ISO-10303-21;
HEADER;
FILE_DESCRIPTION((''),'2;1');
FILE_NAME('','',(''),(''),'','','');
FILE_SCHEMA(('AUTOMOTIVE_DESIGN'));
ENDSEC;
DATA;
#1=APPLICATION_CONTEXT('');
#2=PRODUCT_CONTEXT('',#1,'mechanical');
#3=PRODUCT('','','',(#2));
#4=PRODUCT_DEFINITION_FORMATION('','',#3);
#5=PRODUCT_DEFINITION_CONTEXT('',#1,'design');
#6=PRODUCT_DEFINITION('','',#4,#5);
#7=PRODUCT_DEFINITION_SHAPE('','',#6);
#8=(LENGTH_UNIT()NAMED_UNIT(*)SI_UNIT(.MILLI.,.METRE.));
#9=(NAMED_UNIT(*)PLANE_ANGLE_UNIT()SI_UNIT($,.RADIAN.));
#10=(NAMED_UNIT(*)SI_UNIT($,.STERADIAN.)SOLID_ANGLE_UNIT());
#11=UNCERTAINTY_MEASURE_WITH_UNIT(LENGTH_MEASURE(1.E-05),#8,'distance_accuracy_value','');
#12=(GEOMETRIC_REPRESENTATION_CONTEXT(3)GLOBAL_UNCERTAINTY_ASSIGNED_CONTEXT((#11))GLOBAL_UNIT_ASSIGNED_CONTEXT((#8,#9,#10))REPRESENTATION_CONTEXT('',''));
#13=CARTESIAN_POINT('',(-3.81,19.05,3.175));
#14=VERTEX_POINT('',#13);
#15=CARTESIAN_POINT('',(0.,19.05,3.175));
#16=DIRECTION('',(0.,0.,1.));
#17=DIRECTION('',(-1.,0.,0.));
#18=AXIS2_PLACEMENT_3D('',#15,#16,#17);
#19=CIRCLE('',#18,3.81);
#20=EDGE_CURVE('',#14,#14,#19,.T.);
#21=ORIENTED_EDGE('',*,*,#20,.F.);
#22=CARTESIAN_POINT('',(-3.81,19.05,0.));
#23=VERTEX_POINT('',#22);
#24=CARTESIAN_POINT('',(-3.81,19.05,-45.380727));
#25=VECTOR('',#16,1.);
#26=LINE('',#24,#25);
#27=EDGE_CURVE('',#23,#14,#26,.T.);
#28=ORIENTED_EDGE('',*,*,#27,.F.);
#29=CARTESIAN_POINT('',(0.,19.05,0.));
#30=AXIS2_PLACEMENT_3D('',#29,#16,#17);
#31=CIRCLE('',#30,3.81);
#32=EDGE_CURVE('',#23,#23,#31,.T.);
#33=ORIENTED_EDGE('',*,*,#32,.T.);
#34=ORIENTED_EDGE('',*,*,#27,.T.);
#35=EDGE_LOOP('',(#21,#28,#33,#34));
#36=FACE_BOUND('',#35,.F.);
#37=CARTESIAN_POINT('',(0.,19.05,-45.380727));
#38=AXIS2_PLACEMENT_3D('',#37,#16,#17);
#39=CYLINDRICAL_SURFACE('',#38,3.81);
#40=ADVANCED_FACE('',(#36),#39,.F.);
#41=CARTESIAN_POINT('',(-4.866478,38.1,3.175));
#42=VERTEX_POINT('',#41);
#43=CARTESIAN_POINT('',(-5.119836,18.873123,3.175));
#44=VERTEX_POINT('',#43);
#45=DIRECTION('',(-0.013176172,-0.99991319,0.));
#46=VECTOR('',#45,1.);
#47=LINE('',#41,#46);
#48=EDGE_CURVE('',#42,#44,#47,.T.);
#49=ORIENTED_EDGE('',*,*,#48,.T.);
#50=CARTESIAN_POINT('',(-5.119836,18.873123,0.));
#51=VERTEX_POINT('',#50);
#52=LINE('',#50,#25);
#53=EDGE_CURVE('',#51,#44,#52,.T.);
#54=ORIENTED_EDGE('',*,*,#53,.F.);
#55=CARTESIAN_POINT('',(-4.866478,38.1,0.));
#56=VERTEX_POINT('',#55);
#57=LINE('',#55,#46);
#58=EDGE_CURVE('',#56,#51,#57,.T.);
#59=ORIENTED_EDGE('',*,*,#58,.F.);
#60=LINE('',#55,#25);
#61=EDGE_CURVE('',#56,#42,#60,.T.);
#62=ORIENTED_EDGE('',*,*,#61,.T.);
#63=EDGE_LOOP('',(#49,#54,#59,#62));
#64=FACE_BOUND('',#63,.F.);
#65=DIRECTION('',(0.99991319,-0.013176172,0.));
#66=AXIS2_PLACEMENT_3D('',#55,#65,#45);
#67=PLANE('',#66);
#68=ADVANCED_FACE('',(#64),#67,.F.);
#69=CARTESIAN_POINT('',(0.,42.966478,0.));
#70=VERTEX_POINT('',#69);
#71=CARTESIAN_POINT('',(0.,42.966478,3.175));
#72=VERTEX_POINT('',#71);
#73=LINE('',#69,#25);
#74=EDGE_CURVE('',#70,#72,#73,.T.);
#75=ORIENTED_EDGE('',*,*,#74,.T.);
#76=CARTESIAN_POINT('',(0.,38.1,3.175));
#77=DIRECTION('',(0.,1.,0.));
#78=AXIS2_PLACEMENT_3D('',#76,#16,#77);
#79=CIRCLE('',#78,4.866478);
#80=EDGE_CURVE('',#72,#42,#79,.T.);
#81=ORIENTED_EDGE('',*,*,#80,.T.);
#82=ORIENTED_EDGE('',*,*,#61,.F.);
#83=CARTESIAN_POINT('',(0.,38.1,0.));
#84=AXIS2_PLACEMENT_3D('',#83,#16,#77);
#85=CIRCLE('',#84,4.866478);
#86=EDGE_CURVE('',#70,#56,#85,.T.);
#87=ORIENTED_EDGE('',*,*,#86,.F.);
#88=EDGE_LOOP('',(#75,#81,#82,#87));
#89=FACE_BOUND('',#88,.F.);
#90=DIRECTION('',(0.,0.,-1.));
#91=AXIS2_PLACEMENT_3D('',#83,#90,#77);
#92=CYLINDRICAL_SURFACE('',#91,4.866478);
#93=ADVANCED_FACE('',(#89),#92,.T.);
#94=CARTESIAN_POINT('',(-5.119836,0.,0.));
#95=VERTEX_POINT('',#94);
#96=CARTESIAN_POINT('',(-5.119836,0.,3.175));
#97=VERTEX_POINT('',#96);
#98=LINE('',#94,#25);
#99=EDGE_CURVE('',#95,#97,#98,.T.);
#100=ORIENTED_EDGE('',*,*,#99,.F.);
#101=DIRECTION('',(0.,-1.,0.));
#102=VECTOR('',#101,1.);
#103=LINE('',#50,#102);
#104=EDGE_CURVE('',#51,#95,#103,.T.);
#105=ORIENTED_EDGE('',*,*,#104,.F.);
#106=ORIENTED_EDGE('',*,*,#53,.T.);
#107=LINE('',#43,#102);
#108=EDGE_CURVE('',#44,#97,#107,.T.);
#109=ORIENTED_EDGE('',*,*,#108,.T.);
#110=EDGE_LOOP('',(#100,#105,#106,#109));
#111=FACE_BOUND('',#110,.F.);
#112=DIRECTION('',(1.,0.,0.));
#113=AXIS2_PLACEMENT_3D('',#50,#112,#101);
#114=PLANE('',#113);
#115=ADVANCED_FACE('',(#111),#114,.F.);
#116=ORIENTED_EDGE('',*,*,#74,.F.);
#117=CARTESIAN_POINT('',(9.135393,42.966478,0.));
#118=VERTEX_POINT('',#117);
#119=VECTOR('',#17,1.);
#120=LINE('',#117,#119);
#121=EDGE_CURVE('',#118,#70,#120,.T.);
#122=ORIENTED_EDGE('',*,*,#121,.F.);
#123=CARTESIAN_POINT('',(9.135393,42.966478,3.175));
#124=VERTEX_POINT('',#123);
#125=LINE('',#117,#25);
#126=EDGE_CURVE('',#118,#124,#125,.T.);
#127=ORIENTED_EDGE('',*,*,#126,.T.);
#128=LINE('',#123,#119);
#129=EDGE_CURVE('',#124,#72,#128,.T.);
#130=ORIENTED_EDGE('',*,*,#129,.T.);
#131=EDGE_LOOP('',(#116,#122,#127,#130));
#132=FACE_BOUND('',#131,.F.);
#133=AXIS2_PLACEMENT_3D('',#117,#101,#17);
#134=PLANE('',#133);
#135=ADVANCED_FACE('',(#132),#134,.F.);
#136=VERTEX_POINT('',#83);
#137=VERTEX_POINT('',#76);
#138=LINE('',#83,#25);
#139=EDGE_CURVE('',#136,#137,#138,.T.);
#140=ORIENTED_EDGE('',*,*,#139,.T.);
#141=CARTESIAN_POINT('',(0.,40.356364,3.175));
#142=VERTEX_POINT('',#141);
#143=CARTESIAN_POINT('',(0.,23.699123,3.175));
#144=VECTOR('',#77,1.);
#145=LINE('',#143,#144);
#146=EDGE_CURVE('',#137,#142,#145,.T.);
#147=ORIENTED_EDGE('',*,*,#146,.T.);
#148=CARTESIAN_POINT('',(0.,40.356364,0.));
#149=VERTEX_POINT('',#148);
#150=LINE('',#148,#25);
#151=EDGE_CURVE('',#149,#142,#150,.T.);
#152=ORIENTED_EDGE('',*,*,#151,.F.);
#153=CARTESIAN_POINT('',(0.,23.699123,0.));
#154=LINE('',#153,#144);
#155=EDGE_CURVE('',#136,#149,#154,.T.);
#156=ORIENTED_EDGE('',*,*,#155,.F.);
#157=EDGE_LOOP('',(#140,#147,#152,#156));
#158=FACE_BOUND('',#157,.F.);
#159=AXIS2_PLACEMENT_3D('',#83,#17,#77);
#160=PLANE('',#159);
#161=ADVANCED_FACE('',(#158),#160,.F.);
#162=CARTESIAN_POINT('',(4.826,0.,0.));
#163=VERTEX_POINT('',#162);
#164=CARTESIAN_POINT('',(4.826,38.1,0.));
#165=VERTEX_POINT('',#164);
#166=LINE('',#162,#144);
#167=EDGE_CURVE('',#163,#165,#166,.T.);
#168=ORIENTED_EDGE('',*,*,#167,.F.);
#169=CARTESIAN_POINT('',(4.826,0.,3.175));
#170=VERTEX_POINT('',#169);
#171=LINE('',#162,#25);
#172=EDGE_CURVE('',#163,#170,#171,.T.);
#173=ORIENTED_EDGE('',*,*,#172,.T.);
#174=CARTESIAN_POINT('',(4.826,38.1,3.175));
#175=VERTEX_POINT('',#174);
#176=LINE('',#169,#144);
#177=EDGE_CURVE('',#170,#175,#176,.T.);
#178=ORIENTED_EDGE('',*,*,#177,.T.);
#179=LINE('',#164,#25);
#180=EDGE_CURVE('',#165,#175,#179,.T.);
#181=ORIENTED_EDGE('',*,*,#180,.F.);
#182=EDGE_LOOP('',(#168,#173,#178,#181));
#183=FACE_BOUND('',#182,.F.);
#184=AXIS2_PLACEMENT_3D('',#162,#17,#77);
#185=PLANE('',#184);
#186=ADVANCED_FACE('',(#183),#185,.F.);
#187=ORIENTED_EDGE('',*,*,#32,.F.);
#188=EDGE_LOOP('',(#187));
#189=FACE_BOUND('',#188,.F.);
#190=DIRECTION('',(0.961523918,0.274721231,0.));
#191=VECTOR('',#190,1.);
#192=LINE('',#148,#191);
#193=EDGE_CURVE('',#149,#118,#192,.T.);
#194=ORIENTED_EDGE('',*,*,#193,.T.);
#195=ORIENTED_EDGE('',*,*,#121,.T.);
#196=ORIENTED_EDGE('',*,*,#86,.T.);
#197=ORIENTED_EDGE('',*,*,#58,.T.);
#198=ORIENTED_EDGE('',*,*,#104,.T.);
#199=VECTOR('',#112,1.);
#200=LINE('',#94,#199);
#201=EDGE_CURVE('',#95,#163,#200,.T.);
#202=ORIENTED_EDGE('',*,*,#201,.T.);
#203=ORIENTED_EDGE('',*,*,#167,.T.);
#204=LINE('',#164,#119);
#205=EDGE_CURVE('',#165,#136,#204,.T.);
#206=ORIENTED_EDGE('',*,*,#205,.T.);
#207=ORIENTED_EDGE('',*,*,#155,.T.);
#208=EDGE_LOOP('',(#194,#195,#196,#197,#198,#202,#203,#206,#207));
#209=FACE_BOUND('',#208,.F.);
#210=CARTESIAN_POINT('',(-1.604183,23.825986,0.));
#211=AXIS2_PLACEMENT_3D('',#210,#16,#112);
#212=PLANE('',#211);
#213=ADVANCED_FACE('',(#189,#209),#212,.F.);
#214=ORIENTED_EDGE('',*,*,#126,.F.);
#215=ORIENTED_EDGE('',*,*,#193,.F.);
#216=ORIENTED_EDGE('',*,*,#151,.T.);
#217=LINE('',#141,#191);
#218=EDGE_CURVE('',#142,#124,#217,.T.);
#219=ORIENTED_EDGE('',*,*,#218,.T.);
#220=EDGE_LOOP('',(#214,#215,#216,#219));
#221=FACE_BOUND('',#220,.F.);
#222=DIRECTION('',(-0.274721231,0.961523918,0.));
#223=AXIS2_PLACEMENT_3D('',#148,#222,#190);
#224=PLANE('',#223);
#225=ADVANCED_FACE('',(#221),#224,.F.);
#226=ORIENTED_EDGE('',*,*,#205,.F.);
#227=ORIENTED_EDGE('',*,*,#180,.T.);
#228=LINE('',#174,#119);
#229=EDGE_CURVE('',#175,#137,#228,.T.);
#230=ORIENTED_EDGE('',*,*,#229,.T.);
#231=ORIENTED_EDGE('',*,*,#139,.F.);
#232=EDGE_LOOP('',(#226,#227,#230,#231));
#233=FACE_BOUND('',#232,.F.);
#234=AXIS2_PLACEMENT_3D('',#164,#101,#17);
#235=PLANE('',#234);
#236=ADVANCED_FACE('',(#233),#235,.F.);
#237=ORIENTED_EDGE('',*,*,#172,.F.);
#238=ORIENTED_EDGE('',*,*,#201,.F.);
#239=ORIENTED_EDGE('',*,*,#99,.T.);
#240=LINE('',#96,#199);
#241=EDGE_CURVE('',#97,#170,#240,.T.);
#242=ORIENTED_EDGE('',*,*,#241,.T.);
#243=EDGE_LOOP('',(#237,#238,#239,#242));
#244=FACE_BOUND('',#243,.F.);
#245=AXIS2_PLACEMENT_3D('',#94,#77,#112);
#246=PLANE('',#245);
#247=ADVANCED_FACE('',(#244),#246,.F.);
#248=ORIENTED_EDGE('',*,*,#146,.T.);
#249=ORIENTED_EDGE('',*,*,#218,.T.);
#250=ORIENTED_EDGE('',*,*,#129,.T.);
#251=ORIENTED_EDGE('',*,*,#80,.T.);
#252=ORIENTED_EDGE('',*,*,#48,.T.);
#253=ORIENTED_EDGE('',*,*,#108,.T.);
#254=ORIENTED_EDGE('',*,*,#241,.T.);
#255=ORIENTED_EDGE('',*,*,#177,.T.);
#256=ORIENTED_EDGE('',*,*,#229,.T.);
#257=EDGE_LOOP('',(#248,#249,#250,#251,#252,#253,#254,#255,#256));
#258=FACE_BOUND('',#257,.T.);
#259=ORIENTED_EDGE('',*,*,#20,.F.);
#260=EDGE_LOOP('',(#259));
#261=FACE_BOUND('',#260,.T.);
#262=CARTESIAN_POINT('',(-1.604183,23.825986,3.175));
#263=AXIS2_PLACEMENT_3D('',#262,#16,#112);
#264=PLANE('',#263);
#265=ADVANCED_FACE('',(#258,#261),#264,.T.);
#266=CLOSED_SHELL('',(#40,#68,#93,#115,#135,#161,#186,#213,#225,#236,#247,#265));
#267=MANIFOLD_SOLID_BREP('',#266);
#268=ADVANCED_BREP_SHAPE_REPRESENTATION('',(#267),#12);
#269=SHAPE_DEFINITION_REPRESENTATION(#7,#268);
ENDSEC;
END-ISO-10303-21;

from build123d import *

# Parameters (mm, degrees)
F1_DEPTH = 3.175
F2_DEPTH = 25.4
F3_D     = 7.62


with BuildPart() as f1:
    # F0 (on Top) → F1 (new body)
    with BuildSketch(Plane.XY):
        with BuildLine():
            Line((-5.1198361907, 0), (0, 0))
            Line((0, 0), (0, 14.0471234521))
            ThreePointArc((0, 14.0471234521), (-4.826, 18.8731234521), (0, 23.6991234521))
            Line((0, 23.6991234521), (0, 38.1))
            Line((0, 38.1), (0, 40.3563641012))
            Line((0, 40.3563641012), (9.1353934258, 42.9664775729))
            Line((9.1353934258, 42.9664775729), (0, 42.9664775729))
            ThreePointArc((0, 42.9664775729), (-3.4411192923, 41.5411192923), (-4.8664775729, 38.1))
            Line((-4.8664775729, 38.1), (-5.1198361907, 18.8731234521))
            Line((-5.1198361907, 18.8731234521), (-5.1198361907, 0))
        make_face()
        with BuildLine():
            Line((0, 38.1), (0, 23.6991234521))
            ThreePointArc((0, 23.6991234521), (3.412497326, 22.2856207781), (4.826, 18.8731234521))
            Line((4.826, 18.8731234521), (4.826, 38.1))
            Line((4.826, 38.1), (0, 38.1))
        make_face()
        with BuildLine():
            Line((0, 19.05), (0, 14.0471234521))
            ThreePointArc((0, 14.0471234521), (3.412497326, 15.4606261261), (4.826, 18.8731234521))
            ThreePointArc((4.826, 18.8731234521), (3.412497326, 22.2856207781), (0, 23.6991234521))
            Line((0, 23.6991234521), (0, 19.05))
        make_face()
        with BuildLine():
            ThreePointArc((0, 23.6991234521), (-4.826, 18.8731234521), (0, 14.0471234521))
            Line((0, 14.0471234521), (0, 19.05))
            Line((0, 19.05), (0, 23.6991234521))
        make_face()
        with BuildLine():
            Line((0, 14.0471234521), (0, 0))
            Line((0, 0), (4.826, 0))
            Line((4.826, 0), (4.826, 4.826))
            Line((4.826, 4.826), (4.826, 18.8731234521))
            ThreePointArc((4.826, 18.8731234521), (3.412497326, 15.4606261261), (0, 14.0471234521))
        make_face()
    extrude(amount=F1_DEPTH)

    # F0 (on Top) + F1_face (on face) → F2 (cut)
    with BuildSketch(Plane.XY):
        with BuildLine():
            Line((-5.1198361907, 0), (0, 0))
            Line((0, 0), (0, 14.0471234521))
            ThreePointArc((0, 14.0471234521), (-4.826, 18.8731234521), (0, 23.6991234521))
            Line((0, 23.6991234521), (0, 38.1))
            Line((0, 38.1), (0, 40.3563641012))
            Line((0, 40.3563641012), (9.1353934258, 42.9664775729))
            Line((9.1353934258, 42.9664775729), (0, 42.9664775729))
            ThreePointArc((0, 42.9664775729), (-3.4411192923, 41.5411192923), (-4.8664775729, 38.1))
            Line((-4.8664775729, 38.1), (-5.1198361907, 18.8731234521))
            Line((-5.1198361907, 18.8731234521), (-5.1198361907, 0))
        make_face()
        with BuildLine():
            Line((0, 14.0471234521), (0, 0))
            Line((0, 0), (4.826, 0))
            Line((4.826, 0), (4.826, 4.826))
            Line((4.826, 4.826), (4.826, 18.8731234521))
            ThreePointArc((4.826, 18.8731234521), (3.412497326, 15.4606261261), (0, 14.0471234521))
        make_face()
        with BuildLine():
            Line((0, 19.05), (0, 14.0471234521))
            ThreePointArc((0, 14.0471234521), (3.412497326, 15.4606261261), (4.826, 18.8731234521))
            ThreePointArc((4.826, 18.8731234521), (3.412497326, 22.2856207781), (0, 23.6991234521))
            Line((0, 23.6991234521), (0, 19.05))
        make_face()
        with BuildLine():
            Line((0, 38.1), (0, 23.6991234521))
            ThreePointArc((0, 23.6991234521), (3.412497326, 22.2856207781), (4.826, 18.8731234521))
            Line((4.826, 18.8731234521), (4.826, 38.1))
            Line((4.826, 38.1), (0, 38.1))
        make_face()
    with BuildSketch(Plane(origin=(-0.1118375102, 20.6143518091, 0), x_dir=(1, 0, 0), z_dir=(0, 0, -1))):
        with BuildLine():
            Line((0.1118375102, -17.4856481909), (4.9378375102, -17.4856481909))
            Line((4.9378375102, -17.4856481909), (4.9378375102, 20.6143518091))
            Line((4.9378375102, 20.6143518091), (-5.0079986805, 20.6143518091))
            Line((-5.0079986805, 20.6143518091), (-5.0079986805, 1.741228357))
            Line((-5.0079986805, 1.741228357), (-4.7546400627, -17.4856481909))
            ThreePointArc((-4.7546400627, -17.4856481909), (-3.3292817821, -20.9267674832), (0.1118375102, -22.3521257638))
            Line((0.1118375102, -22.3521257638), (9.247230936, -22.3521257638))
            Line((9.247230936, -22.3521257638), (0.1118375102, -19.7420122921))
            Line((0.1118375102, -19.7420122921), (0.1118375102, -17.4856481909))
        make_face()
    extrude(amount=-F2_DEPTH, dir=(0, 0, 1), mode=Mode.SUBTRACT)

    # F3 (through all)
    with Locations(Plane(origin=(0, 0, 0), x_dir=(1, 0, 0), z_dir=(0, 0, -1))):
        with Locations((0, -19.05)):
            Hole(F3_D / 2)


solid = f1.part
